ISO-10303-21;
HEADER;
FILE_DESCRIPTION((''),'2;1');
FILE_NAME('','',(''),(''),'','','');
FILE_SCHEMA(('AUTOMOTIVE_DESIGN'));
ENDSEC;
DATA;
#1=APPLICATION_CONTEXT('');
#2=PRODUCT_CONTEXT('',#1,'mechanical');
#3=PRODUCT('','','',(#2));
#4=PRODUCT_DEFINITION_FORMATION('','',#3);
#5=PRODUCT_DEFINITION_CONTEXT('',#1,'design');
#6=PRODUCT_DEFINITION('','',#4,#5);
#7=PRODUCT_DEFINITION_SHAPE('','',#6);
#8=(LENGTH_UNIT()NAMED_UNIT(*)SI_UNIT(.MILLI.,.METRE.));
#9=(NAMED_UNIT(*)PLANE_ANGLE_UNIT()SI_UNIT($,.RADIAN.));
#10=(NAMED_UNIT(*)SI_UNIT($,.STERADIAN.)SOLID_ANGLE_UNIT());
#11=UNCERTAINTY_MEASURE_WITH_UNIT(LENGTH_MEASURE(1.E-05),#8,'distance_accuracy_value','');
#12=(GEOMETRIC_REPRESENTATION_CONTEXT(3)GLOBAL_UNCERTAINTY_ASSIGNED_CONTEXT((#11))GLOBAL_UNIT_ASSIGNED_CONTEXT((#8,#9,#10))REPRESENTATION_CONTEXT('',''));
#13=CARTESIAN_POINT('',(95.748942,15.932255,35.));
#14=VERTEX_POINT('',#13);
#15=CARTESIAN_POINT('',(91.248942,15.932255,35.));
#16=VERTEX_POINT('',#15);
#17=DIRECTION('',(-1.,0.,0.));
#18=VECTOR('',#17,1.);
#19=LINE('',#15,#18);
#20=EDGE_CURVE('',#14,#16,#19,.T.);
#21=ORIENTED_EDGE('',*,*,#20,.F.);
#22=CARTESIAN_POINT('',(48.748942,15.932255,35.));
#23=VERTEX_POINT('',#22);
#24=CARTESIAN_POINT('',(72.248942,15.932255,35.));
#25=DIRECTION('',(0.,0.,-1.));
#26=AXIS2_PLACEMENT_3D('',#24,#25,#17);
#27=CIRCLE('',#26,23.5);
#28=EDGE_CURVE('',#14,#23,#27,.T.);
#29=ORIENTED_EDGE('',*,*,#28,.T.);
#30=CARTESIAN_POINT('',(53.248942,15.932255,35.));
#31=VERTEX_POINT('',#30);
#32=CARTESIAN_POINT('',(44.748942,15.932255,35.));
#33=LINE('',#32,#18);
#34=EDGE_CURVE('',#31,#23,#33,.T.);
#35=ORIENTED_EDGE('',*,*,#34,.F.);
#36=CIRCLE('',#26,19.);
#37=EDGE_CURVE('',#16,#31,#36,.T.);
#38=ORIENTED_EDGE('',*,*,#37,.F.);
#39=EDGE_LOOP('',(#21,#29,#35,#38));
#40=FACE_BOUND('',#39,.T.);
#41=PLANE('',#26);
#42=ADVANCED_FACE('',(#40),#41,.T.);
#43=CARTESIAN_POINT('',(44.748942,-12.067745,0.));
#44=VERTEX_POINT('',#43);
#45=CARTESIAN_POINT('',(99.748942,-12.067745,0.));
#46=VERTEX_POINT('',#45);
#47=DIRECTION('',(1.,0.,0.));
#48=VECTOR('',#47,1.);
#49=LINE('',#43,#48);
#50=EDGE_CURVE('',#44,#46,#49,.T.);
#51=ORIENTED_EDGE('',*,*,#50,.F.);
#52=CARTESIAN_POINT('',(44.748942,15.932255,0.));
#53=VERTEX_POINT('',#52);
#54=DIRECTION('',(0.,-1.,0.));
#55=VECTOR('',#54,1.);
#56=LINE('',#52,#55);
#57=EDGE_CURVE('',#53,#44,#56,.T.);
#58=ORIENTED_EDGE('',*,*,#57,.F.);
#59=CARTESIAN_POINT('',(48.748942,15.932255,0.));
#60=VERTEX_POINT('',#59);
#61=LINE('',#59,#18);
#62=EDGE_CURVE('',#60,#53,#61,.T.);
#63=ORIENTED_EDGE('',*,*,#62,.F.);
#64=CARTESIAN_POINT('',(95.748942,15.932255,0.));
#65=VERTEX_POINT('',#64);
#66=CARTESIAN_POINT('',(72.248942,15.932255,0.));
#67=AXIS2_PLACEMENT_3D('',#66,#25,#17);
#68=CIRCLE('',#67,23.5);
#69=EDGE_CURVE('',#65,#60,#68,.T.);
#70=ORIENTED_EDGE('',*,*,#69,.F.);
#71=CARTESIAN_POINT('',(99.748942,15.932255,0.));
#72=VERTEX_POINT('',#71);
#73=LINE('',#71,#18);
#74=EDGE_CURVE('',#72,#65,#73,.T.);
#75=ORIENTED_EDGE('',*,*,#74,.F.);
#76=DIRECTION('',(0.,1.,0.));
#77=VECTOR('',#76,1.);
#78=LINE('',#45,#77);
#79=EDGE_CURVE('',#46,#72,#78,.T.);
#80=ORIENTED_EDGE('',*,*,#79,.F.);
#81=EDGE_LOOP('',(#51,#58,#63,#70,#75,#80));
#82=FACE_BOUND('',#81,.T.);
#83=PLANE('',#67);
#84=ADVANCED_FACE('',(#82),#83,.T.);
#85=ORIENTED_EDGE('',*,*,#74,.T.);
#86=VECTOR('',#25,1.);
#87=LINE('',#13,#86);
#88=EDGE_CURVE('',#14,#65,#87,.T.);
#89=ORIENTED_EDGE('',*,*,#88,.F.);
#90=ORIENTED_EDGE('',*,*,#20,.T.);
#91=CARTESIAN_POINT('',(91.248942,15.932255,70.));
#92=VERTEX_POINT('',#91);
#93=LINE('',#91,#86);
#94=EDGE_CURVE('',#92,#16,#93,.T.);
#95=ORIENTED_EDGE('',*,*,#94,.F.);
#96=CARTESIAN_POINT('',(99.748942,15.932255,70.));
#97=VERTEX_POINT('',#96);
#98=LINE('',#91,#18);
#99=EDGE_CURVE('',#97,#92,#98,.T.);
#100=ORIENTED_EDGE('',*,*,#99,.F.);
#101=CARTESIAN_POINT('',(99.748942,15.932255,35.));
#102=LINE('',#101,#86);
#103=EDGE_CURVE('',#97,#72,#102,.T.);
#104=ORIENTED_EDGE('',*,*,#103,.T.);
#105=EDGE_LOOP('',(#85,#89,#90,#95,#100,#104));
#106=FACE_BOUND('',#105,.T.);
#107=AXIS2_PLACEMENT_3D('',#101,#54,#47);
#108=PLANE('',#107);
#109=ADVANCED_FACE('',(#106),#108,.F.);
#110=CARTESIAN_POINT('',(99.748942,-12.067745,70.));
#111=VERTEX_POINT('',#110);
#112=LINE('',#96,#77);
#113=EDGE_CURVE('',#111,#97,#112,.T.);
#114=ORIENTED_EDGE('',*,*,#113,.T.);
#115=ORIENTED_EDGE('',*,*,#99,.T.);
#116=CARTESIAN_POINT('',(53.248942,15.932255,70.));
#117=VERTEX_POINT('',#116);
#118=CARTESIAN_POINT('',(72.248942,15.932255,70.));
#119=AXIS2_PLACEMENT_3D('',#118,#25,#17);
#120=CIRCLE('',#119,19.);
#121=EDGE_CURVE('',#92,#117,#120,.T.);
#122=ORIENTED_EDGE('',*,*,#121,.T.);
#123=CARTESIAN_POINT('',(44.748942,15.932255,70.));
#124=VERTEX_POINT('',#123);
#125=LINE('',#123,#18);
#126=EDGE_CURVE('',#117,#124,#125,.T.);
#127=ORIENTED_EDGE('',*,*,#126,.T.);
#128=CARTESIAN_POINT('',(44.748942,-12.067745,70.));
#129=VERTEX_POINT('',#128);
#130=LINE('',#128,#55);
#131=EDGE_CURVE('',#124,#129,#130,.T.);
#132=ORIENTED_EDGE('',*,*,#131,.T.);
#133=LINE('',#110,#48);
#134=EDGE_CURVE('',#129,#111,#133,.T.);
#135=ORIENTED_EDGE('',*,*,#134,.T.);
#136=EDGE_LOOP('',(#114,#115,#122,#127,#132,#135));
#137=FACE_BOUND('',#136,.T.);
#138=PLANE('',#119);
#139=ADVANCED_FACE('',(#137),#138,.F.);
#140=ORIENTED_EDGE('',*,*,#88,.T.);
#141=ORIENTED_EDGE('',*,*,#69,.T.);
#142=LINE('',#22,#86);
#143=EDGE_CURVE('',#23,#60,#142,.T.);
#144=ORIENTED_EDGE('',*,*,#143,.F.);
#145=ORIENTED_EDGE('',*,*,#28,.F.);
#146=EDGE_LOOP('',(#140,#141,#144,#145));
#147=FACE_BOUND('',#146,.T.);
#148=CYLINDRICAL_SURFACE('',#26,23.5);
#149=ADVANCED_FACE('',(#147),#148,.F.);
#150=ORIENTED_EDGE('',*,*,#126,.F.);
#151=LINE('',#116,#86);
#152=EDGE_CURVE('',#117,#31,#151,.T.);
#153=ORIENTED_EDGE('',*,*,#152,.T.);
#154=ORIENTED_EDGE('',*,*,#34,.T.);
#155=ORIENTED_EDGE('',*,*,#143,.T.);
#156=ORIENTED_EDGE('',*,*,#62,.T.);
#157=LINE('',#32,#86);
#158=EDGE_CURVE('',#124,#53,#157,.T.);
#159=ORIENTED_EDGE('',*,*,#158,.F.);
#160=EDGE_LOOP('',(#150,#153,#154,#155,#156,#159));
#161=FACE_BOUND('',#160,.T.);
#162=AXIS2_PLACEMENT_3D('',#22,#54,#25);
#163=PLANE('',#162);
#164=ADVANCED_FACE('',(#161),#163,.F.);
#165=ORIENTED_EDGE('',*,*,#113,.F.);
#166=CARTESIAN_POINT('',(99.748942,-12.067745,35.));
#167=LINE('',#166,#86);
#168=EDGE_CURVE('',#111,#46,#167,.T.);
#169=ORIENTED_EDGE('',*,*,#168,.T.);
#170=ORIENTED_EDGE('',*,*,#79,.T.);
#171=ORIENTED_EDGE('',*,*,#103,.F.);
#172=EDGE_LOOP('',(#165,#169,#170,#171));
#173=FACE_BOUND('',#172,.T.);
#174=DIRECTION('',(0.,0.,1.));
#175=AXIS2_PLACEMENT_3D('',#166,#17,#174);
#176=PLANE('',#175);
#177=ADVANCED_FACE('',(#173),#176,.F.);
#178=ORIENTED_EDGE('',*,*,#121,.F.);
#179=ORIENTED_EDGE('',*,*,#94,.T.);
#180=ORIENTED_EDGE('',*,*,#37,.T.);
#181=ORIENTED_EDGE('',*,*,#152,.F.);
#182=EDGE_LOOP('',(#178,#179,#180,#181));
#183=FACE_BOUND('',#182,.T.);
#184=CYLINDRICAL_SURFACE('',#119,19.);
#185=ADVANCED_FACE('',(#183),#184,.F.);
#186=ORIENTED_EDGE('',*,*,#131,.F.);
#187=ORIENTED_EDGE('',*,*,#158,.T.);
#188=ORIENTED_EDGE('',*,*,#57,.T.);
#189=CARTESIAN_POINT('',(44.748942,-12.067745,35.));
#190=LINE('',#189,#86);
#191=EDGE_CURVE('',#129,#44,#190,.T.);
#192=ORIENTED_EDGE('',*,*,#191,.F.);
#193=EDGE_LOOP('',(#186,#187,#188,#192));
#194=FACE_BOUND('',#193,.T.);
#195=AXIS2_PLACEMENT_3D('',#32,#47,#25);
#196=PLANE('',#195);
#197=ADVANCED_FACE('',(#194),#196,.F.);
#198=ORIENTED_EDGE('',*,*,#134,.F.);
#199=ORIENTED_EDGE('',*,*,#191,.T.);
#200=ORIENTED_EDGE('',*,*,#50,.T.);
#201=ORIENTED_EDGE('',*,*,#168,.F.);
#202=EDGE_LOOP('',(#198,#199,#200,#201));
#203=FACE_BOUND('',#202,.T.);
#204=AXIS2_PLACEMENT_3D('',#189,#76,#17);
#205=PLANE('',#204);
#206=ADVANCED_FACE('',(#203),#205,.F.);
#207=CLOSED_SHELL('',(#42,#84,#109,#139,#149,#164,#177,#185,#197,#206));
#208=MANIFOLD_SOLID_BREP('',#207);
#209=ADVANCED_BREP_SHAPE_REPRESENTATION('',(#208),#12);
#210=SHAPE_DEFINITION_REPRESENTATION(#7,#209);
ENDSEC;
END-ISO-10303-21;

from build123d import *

# Parameters (mm, degrees)
BOSS_EXTRUDE1_DEPTH = 35
BOSS_EXTRUDE2_DEPTH = 35


with BuildPart() as part:
    # Sketch2 → Boss-Extrude1 (new body)
    with BuildSketch(Plane.XY):
        with BuildLine():
            Line((48.748941829, 15.932254861), (44.748941829, 15.932254861))
            Line((44.748941829, 15.932254861), (44.748941829, -12.067745139))
            Line((44.748941829, -12.067745139), (99.748941829, -12.067745139))
            Line((99.748941829, -12.067745139), (99.748941829, 15.932254861))
            Line((99.748941829, 15.932254861), (95.748941829, 15.932254861))
            ThreePointArc((95.748941829, 15.932254861), (72.248941829, -7.567745139), (48.748941829, 15.932254861))
        make_face()
    extrude(amount=BOSS_EXTRUDE1_DEPTH)

    # Sketch3 → Boss-Extrude2 (add)
    with BuildSketch(Plane.XY.offset(35)):
        with BuildLine():
            Line((91.248941829, 15.932254861), (99.748941829, 15.932254861))
            Line((99.748941829, 15.932254861), (99.748941829, -12.067745139))
            Line((99.748941829, -12.067745139), (44.748941829, -12.067745139))
            Line((44.748941829, -12.067745139), (44.748941829, 15.932254861))
            Line((44.748941829, 15.932254861), (53.248941829, 15.932254861))
            ThreePointArc((53.248941829, 15.932254861), (72.248941829, -3.067745139), (91.248941829, 15.932254861))
        make_face()
    extrude(amount=BOSS_EXTRUDE2_DEPTH)


solid = part.part
